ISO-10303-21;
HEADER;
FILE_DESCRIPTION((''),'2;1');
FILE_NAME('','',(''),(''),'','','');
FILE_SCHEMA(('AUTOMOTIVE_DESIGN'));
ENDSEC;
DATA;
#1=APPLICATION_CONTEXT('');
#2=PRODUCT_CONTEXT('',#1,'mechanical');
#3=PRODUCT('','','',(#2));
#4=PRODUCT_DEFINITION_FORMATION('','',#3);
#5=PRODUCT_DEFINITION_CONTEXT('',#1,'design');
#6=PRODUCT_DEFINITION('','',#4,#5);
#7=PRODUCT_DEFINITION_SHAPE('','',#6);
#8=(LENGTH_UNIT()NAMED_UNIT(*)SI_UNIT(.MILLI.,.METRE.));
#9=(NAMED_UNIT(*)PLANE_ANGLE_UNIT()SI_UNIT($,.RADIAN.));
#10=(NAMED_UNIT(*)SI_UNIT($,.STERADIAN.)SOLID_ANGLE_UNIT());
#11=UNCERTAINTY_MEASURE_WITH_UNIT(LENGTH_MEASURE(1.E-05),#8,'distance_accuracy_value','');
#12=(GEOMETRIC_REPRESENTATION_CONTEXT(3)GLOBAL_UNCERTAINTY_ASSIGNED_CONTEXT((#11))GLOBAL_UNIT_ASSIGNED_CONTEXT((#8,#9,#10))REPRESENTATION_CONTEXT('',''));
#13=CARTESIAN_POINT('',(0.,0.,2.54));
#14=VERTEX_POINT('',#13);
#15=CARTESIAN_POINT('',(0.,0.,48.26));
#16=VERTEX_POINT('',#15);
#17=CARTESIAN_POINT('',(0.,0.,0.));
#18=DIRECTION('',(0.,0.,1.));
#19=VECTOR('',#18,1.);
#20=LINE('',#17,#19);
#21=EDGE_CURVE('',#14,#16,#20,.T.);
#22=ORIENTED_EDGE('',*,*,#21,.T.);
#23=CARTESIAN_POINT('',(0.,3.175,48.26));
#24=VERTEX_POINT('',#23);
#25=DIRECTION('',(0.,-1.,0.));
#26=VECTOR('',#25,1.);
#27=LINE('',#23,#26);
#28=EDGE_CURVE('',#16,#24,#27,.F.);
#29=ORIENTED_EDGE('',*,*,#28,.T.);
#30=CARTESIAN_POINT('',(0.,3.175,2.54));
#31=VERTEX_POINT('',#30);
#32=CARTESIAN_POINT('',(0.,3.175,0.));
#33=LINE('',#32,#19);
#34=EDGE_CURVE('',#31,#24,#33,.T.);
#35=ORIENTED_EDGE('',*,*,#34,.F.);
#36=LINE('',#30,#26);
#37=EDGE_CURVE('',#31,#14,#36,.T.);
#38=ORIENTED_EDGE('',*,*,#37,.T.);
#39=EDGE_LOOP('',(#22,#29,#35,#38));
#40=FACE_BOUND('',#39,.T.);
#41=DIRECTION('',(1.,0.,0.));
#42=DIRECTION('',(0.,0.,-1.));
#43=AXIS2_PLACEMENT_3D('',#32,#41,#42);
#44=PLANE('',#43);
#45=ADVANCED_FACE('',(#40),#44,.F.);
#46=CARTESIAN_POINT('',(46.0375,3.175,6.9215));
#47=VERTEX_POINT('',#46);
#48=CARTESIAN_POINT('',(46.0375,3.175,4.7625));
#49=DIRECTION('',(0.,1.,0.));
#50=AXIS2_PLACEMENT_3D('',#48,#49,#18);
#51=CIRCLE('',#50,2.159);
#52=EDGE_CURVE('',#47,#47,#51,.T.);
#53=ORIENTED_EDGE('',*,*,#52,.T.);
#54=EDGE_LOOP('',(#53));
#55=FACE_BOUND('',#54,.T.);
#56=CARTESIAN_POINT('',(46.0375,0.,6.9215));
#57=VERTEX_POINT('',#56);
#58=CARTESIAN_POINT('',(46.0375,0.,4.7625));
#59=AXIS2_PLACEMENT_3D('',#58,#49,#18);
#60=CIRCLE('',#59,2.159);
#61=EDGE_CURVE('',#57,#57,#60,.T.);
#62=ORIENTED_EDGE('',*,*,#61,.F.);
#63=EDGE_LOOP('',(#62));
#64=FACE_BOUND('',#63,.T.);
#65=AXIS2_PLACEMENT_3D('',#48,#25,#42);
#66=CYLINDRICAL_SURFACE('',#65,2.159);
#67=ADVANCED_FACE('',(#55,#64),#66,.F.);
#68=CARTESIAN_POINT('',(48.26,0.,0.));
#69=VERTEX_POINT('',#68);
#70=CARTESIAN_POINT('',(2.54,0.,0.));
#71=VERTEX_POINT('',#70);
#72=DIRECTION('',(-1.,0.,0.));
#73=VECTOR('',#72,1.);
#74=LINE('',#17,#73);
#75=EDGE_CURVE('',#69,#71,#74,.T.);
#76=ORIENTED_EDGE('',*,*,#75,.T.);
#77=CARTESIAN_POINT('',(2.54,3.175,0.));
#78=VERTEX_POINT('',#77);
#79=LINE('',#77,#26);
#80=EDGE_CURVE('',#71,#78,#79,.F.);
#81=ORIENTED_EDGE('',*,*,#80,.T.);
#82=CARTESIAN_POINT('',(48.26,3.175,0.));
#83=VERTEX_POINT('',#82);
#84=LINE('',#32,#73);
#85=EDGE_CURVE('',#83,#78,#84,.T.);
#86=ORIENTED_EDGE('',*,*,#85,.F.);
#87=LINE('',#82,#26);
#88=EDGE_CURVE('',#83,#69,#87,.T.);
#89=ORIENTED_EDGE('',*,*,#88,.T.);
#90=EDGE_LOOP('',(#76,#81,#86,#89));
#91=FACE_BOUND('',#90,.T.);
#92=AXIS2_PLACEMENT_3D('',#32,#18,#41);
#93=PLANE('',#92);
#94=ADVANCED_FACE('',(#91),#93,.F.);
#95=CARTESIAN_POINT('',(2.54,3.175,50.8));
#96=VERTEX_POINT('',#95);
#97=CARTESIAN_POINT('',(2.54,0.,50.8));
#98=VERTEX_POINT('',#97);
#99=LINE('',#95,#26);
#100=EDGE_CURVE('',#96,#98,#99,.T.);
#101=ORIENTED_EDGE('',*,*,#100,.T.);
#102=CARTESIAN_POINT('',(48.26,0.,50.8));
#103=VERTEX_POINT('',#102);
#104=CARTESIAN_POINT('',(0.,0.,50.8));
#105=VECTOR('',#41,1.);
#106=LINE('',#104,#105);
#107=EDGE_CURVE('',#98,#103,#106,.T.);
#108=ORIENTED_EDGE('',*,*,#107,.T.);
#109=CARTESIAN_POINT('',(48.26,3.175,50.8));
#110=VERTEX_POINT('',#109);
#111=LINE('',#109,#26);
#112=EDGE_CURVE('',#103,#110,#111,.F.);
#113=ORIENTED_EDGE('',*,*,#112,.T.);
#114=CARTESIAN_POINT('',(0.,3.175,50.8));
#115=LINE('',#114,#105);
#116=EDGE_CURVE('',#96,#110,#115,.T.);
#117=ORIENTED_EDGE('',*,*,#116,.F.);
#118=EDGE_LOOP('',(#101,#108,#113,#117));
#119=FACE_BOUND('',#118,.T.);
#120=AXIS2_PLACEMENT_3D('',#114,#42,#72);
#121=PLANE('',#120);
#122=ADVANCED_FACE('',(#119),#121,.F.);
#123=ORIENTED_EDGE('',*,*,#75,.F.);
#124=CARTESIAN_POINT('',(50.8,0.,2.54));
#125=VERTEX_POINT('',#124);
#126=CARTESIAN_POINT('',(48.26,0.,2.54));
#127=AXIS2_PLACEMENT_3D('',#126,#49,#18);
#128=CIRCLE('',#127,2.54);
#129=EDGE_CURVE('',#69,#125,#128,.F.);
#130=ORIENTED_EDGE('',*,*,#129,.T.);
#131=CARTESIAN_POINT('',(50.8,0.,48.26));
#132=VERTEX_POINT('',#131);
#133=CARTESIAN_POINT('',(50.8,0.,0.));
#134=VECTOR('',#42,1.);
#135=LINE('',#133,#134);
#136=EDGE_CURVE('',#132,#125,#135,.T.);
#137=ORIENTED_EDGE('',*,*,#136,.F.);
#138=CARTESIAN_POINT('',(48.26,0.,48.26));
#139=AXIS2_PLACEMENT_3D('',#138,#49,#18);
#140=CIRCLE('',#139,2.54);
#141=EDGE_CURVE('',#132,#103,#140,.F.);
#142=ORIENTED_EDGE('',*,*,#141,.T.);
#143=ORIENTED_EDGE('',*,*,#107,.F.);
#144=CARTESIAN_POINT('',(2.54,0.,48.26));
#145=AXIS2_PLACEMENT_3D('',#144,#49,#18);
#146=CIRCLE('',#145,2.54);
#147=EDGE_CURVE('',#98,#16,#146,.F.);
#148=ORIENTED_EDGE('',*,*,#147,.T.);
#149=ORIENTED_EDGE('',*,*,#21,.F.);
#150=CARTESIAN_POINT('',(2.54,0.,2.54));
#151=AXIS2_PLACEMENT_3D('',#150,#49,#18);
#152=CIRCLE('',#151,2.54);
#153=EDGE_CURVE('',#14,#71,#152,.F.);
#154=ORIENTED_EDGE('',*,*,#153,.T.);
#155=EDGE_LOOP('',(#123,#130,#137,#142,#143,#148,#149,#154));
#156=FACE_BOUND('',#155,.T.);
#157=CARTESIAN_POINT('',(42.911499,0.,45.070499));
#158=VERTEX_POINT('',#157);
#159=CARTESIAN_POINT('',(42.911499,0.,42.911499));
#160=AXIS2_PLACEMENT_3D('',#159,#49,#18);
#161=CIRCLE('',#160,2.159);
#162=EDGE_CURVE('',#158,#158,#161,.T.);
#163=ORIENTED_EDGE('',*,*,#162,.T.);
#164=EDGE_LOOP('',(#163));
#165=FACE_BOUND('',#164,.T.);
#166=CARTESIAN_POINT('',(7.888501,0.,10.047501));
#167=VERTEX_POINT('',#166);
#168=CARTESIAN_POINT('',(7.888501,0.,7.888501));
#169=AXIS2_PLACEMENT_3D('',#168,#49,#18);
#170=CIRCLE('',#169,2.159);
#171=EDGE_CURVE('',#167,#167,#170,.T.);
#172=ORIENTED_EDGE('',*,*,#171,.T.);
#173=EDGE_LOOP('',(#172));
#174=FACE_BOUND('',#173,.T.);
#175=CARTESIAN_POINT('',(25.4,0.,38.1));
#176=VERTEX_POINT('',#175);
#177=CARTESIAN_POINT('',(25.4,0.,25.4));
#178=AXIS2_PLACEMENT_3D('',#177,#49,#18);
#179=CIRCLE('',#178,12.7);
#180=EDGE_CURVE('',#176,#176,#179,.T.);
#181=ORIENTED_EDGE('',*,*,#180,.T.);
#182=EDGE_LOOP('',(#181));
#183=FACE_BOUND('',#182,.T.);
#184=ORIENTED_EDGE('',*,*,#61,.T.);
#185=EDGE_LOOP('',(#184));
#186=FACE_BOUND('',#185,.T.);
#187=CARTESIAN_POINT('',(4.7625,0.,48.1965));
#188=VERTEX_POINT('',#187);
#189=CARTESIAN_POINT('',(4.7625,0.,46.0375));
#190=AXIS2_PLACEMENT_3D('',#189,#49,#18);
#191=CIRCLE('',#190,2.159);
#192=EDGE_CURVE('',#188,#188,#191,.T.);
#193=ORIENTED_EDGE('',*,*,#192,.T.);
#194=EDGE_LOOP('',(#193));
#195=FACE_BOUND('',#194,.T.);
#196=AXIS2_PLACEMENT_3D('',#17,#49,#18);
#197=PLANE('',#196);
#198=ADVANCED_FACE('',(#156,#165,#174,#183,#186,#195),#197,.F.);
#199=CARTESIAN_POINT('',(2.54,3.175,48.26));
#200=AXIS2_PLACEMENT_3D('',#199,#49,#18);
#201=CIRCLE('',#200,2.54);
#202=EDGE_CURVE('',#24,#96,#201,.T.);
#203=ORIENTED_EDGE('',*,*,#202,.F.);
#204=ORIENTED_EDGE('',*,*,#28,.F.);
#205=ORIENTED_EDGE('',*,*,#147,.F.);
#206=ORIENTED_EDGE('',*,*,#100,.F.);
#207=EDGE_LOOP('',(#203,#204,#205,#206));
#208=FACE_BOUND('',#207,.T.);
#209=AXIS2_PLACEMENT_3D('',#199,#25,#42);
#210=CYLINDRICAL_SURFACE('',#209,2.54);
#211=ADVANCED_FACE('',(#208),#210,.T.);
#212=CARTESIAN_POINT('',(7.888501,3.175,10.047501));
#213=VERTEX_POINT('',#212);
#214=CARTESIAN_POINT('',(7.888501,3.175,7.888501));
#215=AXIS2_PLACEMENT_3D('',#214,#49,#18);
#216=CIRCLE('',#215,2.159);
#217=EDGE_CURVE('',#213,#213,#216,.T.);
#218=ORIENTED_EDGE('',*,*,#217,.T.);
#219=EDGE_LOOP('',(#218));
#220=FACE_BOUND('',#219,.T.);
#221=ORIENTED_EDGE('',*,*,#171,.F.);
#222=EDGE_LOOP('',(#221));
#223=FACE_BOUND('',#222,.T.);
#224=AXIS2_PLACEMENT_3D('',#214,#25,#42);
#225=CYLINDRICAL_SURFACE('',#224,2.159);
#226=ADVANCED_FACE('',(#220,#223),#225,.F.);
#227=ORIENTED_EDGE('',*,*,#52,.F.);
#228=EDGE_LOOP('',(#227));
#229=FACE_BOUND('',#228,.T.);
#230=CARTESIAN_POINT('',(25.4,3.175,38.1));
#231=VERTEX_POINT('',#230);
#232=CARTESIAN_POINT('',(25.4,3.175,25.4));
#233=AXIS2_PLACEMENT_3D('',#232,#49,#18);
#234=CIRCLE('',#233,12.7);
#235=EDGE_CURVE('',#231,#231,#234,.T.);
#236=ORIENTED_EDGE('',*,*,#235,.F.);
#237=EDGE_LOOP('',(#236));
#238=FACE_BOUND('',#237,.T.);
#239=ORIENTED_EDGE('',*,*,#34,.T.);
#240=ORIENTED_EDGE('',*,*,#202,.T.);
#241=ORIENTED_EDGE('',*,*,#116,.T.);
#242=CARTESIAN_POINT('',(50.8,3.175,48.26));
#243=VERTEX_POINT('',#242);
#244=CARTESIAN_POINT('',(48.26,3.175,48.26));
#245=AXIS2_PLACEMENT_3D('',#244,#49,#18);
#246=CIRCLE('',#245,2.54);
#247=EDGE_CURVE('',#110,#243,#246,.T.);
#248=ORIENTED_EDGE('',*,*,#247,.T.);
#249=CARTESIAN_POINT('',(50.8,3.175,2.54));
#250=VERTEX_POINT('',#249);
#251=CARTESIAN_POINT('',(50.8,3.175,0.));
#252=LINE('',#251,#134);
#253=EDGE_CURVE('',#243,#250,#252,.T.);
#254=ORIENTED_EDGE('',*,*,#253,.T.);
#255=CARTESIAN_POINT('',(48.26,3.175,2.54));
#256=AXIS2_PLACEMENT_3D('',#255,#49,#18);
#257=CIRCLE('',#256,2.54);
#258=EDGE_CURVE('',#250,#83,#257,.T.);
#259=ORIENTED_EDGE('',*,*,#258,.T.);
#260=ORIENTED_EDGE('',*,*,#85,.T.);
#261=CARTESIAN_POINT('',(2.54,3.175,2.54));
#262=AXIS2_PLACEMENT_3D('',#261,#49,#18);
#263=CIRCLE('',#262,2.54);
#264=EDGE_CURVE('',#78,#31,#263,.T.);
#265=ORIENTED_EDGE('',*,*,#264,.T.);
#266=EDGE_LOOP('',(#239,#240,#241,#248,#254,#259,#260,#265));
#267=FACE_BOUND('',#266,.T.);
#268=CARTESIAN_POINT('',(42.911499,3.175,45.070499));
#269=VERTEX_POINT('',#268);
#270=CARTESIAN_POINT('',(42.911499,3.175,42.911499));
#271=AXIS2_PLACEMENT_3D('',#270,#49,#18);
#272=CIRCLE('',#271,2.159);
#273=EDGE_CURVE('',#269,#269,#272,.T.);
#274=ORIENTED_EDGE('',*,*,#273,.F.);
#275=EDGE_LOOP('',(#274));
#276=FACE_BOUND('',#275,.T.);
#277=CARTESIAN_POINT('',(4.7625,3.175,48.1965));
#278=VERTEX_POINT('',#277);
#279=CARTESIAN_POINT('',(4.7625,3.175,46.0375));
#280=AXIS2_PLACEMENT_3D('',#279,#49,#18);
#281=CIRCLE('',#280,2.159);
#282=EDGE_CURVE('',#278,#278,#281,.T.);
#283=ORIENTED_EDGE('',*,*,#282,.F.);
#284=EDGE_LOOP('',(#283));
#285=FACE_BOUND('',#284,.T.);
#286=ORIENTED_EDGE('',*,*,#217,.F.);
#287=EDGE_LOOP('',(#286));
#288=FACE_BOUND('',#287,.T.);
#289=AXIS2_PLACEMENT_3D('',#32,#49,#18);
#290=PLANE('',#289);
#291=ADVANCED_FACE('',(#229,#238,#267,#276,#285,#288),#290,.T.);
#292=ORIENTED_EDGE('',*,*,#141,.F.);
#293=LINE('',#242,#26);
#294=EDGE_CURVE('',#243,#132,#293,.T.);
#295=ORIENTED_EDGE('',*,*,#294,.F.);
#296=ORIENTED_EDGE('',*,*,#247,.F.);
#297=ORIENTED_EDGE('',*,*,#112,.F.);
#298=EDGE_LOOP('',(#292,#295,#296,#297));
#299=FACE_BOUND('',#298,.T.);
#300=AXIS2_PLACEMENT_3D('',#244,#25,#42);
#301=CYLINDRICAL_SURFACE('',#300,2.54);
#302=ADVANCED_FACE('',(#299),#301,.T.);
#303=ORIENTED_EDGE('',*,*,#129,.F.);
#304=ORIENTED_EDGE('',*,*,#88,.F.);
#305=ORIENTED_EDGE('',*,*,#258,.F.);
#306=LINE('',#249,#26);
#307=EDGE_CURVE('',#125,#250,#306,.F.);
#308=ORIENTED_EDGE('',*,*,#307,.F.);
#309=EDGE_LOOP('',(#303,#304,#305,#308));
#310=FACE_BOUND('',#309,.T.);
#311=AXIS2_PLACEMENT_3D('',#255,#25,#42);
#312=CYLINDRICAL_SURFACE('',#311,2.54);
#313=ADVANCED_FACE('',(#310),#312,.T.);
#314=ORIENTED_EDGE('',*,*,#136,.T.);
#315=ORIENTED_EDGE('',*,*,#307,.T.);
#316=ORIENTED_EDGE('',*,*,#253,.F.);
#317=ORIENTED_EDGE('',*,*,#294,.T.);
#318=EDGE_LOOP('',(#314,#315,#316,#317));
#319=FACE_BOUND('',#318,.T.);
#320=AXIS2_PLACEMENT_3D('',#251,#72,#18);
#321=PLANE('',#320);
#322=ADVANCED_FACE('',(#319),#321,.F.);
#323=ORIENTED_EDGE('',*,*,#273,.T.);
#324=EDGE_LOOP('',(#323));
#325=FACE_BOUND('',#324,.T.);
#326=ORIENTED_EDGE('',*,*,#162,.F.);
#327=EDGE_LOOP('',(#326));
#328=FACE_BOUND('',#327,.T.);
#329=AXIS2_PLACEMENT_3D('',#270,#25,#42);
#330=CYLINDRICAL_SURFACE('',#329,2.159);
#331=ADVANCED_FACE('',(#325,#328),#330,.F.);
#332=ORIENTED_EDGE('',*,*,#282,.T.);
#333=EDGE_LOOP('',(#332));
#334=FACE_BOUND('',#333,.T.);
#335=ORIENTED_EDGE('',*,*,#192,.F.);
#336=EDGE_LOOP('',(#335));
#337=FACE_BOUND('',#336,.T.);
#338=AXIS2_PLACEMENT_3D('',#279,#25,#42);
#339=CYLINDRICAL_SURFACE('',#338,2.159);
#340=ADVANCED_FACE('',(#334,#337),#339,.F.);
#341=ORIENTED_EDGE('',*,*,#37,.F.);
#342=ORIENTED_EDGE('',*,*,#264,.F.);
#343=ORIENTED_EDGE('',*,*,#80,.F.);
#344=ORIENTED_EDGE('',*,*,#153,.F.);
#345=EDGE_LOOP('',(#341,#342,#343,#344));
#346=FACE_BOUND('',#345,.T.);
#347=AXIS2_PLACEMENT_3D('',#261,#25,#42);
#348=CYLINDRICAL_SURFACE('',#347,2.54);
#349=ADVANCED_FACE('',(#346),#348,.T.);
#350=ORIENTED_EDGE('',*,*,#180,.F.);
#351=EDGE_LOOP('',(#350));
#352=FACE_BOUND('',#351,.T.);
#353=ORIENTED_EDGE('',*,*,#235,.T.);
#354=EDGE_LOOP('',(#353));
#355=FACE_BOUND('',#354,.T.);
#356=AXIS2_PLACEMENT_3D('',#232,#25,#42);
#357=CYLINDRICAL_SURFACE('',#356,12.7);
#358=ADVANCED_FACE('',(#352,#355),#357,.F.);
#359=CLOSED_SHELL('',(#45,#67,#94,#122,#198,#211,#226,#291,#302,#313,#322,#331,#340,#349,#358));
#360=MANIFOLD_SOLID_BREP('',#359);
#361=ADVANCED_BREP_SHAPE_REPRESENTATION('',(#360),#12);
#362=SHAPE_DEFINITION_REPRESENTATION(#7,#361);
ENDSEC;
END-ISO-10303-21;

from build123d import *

# Parameters (mm, degrees)
SKETCH1_W           = 50.8
SKETCH1_H           = 50.8
SKETCH1_R           = 12.7
SKETCH1_R_2         = 2.159
BOSS_EXTRUDE1_DEPTH = 3.175
FILLET1_R           = 2.54


with BuildPart() as part:
    # Sketch1 → Boss-Extrude1 (new body)
    with BuildSketch(Plane(origin=(0, 0, 0), x_dir=(1, 0, 0), z_dir=(0, 1, 0))):
        with Locations((25.4, -25.4)):
            Rectangle(SKETCH1_W, SKETCH1_H)
        with Locations(Location((25.4, -25.4, 0), (0, 0, 270))):
            Circle(SKETCH1_R, mode=Mode.SUBTRACT)
        with Locations(Location((7.888500564, -7.888500564, 0), (0, 0, 270))):
            Circle(SKETCH1_R_2, mode=Mode.SUBTRACT)
        with Locations(Location((42.911499436, -42.911499436, 0), (0, 0, 270))):
            Circle(SKETCH1_R_2, mode=Mode.SUBTRACT)
        with Locations(Location((46.0375, -4.7625, 0), (0, 0, 270))):
            Circle(SKETCH1_R_2, mode=Mode.SUBTRACT)
        with Locations(Location((4.7625, -46.0375, 0), (0, 0, 270))):
            Circle(SKETCH1_R_2, mode=Mode.SUBTRACT)
    extrude(amount=BOSS_EXTRUDE1_DEPTH)

    # Fillet1
    fillet1_edges = [part.edges().sort_by_distance(p)[0] for p in [
        (0, 1.5875, 0),
        (50.8, 1.5875, 0),
        (50.8, 1.5875, 50.8),
        (0, 1.5875, 50.8),
    ]]
    fillet(fillet1_edges, radius=FILLET1_R)


solid = part.part
